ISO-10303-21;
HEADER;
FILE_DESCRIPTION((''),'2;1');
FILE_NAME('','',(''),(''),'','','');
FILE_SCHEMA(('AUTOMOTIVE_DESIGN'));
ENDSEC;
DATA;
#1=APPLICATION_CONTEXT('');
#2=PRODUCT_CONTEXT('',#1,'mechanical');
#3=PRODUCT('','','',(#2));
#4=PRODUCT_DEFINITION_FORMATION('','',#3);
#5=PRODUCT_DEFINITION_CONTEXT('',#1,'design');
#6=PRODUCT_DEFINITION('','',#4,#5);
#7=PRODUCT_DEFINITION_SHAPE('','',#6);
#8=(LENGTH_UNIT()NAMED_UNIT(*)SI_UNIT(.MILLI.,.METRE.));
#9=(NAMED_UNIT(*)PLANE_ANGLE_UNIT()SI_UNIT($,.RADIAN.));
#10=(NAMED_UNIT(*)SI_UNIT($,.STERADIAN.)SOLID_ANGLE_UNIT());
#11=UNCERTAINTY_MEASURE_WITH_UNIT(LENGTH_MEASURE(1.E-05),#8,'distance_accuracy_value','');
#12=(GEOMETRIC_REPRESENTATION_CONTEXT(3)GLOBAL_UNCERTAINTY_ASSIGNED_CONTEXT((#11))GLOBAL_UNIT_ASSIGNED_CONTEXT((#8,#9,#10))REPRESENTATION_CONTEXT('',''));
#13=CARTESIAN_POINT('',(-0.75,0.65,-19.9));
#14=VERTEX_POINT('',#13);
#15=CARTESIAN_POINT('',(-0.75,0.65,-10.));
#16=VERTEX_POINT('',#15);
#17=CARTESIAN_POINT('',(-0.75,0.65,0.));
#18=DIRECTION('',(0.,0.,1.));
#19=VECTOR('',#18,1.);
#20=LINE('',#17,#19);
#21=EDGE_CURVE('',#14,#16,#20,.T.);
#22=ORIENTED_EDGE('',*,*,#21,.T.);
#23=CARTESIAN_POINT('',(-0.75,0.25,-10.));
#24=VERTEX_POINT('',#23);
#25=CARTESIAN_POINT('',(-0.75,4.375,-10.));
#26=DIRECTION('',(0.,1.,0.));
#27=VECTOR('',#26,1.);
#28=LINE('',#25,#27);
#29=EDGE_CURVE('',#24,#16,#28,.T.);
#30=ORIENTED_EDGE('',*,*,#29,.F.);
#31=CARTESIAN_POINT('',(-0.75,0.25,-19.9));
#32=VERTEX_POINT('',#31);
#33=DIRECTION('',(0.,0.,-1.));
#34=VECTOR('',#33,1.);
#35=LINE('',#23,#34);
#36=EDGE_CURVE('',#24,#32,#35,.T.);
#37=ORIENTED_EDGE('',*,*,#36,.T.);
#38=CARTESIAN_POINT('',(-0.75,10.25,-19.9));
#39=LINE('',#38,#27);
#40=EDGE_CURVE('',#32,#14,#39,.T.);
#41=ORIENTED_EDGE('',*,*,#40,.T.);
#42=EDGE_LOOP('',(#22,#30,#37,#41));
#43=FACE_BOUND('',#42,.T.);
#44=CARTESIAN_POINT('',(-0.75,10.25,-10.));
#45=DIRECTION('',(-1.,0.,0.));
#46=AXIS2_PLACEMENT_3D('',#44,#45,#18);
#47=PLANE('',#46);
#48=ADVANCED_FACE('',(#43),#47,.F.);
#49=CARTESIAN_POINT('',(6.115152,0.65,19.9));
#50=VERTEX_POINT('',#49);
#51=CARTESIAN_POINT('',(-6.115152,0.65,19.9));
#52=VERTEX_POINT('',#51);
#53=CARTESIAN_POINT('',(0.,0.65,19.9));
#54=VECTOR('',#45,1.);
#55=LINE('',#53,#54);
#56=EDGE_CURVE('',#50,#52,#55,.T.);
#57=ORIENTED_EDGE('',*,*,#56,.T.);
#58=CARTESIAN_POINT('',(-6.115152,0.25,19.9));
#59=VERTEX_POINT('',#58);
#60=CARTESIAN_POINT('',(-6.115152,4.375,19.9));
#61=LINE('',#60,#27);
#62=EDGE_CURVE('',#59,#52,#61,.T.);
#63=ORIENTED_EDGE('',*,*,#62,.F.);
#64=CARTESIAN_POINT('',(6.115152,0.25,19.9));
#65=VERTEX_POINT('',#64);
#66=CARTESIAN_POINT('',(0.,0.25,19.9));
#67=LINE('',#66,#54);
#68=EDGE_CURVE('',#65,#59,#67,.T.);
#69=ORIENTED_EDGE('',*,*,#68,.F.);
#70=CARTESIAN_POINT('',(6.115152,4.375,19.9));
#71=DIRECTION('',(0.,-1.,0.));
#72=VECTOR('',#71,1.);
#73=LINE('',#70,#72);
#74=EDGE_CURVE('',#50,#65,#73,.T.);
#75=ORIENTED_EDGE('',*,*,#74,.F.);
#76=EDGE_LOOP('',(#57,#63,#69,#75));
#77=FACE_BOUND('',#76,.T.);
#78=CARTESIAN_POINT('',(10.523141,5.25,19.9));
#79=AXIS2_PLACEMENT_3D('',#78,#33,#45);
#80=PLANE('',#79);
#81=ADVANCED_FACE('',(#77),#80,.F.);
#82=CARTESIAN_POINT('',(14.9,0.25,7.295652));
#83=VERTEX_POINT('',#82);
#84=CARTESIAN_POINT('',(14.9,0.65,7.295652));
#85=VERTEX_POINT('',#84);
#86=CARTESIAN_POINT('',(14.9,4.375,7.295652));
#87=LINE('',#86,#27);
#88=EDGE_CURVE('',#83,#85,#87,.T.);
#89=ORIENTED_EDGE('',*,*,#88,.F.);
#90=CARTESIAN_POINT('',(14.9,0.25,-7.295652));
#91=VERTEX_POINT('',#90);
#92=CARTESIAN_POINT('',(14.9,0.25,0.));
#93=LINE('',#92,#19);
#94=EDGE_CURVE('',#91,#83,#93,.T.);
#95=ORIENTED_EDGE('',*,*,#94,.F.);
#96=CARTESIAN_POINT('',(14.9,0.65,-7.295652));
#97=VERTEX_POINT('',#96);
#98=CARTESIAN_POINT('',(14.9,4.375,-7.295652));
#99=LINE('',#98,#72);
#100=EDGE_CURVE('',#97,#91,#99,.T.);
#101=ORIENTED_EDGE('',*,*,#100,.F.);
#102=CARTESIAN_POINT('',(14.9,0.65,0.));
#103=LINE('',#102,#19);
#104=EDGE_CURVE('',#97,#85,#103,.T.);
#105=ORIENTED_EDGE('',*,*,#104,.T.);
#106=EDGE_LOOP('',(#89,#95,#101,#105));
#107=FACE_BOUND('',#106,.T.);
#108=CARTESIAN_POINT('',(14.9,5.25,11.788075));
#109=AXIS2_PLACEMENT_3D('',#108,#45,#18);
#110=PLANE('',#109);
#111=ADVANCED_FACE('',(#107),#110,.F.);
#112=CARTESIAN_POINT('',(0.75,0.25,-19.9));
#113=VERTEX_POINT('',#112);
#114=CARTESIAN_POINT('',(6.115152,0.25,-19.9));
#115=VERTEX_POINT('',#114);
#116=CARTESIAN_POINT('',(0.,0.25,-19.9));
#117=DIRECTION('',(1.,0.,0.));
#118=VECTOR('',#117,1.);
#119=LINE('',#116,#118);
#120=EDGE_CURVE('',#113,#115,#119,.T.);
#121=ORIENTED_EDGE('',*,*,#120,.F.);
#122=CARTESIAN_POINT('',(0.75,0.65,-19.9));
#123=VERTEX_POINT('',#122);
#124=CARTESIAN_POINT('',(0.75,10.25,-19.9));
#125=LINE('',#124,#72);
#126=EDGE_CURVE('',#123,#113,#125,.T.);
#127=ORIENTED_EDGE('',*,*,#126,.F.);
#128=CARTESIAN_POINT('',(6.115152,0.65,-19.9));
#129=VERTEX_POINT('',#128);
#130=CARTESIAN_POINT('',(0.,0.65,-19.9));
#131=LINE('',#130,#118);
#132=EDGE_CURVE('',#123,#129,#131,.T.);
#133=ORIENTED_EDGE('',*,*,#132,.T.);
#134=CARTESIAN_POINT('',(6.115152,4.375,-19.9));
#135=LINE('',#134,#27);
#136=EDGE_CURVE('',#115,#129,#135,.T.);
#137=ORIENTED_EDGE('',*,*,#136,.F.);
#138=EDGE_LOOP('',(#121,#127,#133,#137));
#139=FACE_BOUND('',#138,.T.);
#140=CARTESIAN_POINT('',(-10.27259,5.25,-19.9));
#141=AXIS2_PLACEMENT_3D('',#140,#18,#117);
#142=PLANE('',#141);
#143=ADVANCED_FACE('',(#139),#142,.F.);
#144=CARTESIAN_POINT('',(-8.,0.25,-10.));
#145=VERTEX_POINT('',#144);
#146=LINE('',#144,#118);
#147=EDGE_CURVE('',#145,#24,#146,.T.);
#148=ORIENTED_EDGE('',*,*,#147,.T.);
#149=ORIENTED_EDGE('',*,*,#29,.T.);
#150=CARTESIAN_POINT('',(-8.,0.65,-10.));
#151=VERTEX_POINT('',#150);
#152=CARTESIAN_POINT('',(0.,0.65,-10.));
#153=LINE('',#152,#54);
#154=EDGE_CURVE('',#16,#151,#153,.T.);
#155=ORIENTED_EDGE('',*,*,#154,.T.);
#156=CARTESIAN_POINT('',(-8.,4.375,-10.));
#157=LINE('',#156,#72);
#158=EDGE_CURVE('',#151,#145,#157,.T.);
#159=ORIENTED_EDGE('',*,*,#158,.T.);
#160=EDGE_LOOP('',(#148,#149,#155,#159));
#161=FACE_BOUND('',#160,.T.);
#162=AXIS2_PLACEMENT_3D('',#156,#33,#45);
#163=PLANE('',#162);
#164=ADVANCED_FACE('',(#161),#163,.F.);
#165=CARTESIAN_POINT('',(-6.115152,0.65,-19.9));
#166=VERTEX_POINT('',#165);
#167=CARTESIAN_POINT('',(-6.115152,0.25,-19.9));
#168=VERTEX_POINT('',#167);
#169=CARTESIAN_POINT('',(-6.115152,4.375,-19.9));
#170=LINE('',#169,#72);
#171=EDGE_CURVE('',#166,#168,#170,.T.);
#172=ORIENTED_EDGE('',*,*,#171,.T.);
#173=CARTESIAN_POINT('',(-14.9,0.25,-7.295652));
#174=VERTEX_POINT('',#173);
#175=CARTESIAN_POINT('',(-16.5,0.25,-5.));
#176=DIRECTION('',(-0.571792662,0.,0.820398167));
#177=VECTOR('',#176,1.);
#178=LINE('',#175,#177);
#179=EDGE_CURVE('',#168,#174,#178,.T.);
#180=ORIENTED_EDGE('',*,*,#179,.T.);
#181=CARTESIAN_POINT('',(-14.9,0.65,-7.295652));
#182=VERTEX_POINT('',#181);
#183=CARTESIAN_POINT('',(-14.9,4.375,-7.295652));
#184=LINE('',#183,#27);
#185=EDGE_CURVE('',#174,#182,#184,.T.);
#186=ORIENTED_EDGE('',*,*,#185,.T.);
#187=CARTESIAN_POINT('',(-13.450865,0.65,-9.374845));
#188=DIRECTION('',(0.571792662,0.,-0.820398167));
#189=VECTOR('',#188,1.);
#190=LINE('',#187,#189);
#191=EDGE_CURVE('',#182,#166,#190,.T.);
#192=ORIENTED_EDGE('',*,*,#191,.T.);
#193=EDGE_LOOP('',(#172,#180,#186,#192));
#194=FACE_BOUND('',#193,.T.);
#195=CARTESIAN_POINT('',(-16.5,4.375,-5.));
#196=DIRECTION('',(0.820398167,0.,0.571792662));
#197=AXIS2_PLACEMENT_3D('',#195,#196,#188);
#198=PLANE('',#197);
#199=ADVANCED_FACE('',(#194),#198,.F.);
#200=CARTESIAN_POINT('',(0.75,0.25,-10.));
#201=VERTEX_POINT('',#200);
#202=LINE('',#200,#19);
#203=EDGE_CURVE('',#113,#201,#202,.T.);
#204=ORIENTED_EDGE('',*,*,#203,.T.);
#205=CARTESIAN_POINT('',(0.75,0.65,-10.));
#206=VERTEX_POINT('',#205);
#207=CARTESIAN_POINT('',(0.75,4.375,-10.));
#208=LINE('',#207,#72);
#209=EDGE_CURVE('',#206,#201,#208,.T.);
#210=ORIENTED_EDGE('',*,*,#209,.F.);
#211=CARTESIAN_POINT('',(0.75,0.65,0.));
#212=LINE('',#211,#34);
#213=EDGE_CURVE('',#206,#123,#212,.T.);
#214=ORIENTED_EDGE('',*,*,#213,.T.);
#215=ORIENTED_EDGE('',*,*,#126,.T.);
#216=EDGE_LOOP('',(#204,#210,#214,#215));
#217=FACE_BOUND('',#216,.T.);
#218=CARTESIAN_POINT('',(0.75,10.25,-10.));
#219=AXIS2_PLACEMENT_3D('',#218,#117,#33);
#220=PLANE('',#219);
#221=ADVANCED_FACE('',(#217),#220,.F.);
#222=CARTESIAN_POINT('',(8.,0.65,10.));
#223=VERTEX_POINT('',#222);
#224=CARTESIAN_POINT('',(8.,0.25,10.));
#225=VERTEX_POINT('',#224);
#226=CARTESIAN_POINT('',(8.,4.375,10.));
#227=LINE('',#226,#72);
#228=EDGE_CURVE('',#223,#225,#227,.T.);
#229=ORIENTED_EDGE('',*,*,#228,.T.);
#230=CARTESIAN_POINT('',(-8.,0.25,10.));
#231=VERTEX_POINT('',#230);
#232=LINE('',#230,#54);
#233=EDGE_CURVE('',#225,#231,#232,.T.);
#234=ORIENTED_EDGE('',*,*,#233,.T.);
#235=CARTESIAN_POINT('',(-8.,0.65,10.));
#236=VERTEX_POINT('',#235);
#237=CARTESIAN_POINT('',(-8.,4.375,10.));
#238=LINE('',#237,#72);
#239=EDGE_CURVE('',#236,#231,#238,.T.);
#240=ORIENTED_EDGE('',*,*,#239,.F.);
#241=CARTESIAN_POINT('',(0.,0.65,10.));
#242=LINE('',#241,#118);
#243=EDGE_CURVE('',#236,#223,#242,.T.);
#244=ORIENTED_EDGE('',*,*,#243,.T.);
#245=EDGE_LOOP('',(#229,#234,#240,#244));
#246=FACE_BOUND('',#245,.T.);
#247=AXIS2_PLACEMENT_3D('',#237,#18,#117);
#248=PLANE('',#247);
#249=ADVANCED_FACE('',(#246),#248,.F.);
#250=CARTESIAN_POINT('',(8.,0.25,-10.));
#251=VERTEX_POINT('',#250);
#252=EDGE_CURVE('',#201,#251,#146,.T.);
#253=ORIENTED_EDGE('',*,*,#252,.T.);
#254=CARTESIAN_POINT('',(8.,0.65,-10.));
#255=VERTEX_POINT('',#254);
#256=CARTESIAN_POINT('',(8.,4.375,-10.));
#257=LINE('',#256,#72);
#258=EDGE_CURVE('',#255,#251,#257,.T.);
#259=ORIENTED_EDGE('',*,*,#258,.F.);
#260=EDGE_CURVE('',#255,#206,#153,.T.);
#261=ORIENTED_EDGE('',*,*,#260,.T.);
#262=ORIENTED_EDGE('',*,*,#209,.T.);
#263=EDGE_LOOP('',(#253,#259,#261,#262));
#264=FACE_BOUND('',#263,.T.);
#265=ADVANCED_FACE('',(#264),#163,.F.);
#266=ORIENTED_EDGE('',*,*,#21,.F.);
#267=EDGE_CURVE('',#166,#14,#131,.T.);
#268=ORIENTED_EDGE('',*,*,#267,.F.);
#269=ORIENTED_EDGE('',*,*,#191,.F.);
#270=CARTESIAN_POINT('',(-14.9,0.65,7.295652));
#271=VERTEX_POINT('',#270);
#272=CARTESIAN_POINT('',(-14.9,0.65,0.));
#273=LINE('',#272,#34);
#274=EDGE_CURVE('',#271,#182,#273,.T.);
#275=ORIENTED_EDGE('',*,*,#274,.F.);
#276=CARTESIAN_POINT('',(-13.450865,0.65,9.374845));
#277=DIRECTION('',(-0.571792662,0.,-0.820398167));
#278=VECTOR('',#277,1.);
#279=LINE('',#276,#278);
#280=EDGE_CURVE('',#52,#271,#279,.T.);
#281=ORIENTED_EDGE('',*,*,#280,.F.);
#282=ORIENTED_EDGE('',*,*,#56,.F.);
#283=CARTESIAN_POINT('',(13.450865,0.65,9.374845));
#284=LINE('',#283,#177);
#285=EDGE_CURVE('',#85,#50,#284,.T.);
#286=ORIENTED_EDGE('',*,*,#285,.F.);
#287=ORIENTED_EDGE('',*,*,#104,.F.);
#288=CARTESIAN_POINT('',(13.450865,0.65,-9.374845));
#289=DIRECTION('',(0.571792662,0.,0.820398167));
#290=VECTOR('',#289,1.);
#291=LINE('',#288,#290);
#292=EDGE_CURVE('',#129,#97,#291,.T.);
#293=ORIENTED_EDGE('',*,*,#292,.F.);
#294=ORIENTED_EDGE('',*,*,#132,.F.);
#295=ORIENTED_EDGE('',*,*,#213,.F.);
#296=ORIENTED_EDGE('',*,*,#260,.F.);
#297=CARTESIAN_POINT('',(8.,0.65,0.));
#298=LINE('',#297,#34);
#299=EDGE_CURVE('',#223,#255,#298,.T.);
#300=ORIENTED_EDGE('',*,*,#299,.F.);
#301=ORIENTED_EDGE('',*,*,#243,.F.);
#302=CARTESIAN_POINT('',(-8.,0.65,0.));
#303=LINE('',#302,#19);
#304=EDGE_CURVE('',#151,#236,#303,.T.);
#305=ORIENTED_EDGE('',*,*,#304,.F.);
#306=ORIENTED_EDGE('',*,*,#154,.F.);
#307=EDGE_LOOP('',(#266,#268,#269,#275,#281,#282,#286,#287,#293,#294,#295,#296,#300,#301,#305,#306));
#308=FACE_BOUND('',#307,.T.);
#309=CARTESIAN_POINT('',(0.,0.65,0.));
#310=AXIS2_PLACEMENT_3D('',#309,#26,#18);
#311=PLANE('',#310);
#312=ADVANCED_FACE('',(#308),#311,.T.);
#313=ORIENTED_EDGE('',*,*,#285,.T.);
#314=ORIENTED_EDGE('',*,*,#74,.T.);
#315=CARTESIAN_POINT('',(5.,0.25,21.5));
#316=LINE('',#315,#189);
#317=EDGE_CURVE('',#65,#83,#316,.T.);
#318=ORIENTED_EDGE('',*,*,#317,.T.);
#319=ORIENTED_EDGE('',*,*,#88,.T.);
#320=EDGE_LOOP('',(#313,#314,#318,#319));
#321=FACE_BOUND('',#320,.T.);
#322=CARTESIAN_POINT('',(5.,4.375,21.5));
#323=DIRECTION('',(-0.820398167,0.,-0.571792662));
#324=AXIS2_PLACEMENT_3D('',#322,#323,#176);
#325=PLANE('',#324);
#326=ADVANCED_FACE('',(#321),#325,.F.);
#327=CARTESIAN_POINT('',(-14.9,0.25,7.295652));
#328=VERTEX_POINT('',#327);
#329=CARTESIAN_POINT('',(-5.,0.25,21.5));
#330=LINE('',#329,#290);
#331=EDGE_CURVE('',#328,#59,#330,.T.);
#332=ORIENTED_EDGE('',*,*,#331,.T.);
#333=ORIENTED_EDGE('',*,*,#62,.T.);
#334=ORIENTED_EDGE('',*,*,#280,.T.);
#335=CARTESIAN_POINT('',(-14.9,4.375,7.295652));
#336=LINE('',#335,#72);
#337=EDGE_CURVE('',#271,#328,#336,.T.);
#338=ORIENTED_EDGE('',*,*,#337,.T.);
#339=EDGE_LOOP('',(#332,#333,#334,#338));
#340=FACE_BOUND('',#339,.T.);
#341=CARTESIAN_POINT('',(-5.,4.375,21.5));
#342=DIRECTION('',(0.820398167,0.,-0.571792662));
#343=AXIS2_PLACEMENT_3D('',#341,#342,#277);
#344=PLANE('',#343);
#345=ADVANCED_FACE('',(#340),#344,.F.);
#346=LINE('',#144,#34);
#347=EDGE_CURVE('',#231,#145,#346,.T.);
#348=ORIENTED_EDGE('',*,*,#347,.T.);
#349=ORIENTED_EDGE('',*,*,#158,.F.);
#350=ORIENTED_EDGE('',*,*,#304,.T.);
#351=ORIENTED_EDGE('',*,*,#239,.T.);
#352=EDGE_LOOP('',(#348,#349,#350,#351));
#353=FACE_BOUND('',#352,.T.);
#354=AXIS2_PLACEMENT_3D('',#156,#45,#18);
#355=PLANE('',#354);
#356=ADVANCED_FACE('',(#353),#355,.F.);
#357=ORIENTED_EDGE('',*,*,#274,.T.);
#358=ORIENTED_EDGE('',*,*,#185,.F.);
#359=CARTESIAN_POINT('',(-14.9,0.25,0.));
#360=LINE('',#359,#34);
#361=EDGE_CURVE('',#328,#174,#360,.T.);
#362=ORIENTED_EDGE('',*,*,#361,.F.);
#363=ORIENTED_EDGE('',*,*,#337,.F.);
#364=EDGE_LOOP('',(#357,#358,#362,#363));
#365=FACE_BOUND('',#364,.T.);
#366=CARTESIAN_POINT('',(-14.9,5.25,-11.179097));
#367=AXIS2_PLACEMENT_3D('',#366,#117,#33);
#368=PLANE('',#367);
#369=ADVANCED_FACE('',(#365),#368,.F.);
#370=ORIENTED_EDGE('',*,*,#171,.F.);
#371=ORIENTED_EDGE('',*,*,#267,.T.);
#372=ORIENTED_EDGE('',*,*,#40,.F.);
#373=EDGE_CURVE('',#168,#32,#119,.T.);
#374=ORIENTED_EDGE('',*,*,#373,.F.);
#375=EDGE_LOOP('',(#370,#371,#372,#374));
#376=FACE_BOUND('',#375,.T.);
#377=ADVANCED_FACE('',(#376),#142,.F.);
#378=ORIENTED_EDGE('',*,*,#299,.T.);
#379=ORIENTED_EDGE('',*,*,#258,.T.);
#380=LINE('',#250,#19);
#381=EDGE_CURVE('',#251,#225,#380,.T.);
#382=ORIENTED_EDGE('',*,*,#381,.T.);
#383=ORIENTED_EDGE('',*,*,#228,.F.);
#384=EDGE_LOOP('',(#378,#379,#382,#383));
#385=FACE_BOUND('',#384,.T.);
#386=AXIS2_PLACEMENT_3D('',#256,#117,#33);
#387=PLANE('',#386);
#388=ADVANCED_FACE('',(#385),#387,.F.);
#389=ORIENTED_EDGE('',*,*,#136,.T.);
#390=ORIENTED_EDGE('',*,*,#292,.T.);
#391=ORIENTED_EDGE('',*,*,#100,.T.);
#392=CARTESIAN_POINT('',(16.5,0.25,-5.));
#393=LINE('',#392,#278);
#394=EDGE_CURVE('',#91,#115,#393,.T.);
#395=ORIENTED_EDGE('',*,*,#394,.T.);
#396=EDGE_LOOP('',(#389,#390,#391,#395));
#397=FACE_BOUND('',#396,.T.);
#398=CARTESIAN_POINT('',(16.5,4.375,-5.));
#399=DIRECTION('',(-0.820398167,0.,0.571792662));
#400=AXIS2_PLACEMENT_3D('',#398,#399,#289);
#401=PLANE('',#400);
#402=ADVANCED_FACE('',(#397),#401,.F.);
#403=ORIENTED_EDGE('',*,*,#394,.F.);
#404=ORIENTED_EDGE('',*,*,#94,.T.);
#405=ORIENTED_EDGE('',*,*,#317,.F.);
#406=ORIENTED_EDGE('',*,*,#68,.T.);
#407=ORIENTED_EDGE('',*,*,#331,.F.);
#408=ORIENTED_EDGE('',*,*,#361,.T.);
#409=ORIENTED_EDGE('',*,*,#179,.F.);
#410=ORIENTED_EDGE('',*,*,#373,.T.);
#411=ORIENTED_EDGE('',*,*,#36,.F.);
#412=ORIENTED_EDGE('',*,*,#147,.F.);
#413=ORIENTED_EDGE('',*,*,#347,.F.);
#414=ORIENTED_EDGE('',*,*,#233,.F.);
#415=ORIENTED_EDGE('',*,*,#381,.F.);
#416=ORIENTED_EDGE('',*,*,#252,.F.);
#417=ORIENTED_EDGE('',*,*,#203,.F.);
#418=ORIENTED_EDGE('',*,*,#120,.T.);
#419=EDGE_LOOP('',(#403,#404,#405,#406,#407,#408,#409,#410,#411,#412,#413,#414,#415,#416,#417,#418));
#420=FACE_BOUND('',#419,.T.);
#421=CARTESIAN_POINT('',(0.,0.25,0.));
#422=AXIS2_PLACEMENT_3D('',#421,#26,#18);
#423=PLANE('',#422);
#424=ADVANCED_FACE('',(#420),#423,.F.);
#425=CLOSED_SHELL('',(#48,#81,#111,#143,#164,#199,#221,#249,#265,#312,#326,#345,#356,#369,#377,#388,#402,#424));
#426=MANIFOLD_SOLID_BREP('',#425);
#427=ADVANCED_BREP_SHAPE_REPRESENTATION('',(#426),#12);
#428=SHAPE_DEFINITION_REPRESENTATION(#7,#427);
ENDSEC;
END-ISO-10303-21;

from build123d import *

# Parameters (mm, degrees)
SKETCH1_W           = 33
SKETCH1_H           = 43
BOSS_EXTRUDE1_DEPTH = 0.65
CUT_EXTRUDE1_DEPTH  = 0.25
SKETCH3_W           = 16
SKETCH3_H           = 20
CUT_EXTRUDE2_DEPTH  = 4.125
CUT_EXTRUDE3_DEPTH  = 4.125
SKETCH5_W           = 1.5
SKETCH5_H           = 10
CUT_EXTRUDE4_DEPTH  = 10
SKETCH6_W           = 7.307736582
SKETCH6_H           = 22.967172114
SKETCH6_W_2         = 20.795730386
SKETCH6_H_2         = 8.393457445
SKETCH6_W_3         = 19.542864514
SKETCH6_H_3         = 6.295941965
SKETCH6_W_4         = 6.096070792
CUT_EXTRUDE5_DEPTH  = 5


with BuildPart() as part:
    # Sketch1 → Boss-Extrude1 (new body)
    with BuildSketch(Plane(origin=(0, 0, 0), x_dir=(1, 0, 0), z_dir=(0, 1, 0))):
        Rectangle(SKETCH1_W, SKETCH1_H)
    extrude(amount=BOSS_EXTRUDE1_DEPTH)

    # Sketch2 → Cut-Extrude1 (cut)
    with BuildSketch(Plane.XZ):
        Polygon((5, 21.5), (16.5, 21.5), (16.5, 5), (15, 5), (15, -5), (16.5, -5), (16.5, -21.5), (5, -21.5), (5, -20), (-5, -20), (-5, -21.5), (-16.5, -21.5), (-16.5, -5), (-15, -5), (-15, 5), (-16.5, 5), (-16.5, 21.5), (-5, 21.5), (-5, 20), (5, 20), align=None)
    extrude(amount=-CUT_EXTRUDE1_DEPTH, mode=Mode.SUBTRACT)

    # Sketch3 → Cut-Extrude2 (cut)
    with BuildSketch(Plane.XZ.offset(-0.25)):
        Rectangle(SKETCH3_W, SKETCH3_H)
    extrude(amount=-CUT_EXTRUDE2_DEPTH, mode=Mode.SUBTRACT)

    # Sketch4 → Cut-Extrude3 (cut)
    with BuildSketch(Plane.XZ.offset(-0.25)):
        Polygon((-5, 21.5), (-16.5, 5), (-16.5, 21.5), align=None)
        Polygon((5, 21.5), (16.5, 5), (16.5, 21.5), align=None)
        Polygon((-16.5, -5), (-5, -21.5), (-16.5, -21.5), align=None)
        Polygon((16.5, -5), (5, -21.5), (16.5, -21.5), align=None)
    extrude(amount=-CUT_EXTRUDE3_DEPTH, mode=Mode.SUBTRACT)

    # Sketch5 → Cut-Extrude4 (cut)
    with BuildSketch(Plane.XZ.offset(-0.25)):
        with Locations((0, -15)):
            Rectangle(SKETCH5_W, SKETCH5_H)
    extrude(amount=-CUT_EXTRUDE4_DEPTH, mode=Mode.SUBTRACT)

    # Sketch6 → Cut-Extrude5 (cut, symmetric)
    with BuildSketch(Plane.XZ.offset(-0.25)):
        with Locations((18.553868291, 0.304489024)):
            Rectangle(SKETCH6_W, SKETCH6_H)
        with Locations((0.125275484, 24.096728723)):
            Rectangle(SKETCH6_W_2, SKETCH6_H_2)
        with Locations((-0.501157452, -23.047970983)):
            Rectangle(SKETCH6_W_3, SKETCH6_H_3)
        with Locations((-17.948035396, 0.304489024)):
            Rectangle(SKETCH6_W_4, SKETCH6_H)
    extrude(amount=CUT_EXTRUDE5_DEPTH, both=True, mode=Mode.SUBTRACT)


solid = part.part
